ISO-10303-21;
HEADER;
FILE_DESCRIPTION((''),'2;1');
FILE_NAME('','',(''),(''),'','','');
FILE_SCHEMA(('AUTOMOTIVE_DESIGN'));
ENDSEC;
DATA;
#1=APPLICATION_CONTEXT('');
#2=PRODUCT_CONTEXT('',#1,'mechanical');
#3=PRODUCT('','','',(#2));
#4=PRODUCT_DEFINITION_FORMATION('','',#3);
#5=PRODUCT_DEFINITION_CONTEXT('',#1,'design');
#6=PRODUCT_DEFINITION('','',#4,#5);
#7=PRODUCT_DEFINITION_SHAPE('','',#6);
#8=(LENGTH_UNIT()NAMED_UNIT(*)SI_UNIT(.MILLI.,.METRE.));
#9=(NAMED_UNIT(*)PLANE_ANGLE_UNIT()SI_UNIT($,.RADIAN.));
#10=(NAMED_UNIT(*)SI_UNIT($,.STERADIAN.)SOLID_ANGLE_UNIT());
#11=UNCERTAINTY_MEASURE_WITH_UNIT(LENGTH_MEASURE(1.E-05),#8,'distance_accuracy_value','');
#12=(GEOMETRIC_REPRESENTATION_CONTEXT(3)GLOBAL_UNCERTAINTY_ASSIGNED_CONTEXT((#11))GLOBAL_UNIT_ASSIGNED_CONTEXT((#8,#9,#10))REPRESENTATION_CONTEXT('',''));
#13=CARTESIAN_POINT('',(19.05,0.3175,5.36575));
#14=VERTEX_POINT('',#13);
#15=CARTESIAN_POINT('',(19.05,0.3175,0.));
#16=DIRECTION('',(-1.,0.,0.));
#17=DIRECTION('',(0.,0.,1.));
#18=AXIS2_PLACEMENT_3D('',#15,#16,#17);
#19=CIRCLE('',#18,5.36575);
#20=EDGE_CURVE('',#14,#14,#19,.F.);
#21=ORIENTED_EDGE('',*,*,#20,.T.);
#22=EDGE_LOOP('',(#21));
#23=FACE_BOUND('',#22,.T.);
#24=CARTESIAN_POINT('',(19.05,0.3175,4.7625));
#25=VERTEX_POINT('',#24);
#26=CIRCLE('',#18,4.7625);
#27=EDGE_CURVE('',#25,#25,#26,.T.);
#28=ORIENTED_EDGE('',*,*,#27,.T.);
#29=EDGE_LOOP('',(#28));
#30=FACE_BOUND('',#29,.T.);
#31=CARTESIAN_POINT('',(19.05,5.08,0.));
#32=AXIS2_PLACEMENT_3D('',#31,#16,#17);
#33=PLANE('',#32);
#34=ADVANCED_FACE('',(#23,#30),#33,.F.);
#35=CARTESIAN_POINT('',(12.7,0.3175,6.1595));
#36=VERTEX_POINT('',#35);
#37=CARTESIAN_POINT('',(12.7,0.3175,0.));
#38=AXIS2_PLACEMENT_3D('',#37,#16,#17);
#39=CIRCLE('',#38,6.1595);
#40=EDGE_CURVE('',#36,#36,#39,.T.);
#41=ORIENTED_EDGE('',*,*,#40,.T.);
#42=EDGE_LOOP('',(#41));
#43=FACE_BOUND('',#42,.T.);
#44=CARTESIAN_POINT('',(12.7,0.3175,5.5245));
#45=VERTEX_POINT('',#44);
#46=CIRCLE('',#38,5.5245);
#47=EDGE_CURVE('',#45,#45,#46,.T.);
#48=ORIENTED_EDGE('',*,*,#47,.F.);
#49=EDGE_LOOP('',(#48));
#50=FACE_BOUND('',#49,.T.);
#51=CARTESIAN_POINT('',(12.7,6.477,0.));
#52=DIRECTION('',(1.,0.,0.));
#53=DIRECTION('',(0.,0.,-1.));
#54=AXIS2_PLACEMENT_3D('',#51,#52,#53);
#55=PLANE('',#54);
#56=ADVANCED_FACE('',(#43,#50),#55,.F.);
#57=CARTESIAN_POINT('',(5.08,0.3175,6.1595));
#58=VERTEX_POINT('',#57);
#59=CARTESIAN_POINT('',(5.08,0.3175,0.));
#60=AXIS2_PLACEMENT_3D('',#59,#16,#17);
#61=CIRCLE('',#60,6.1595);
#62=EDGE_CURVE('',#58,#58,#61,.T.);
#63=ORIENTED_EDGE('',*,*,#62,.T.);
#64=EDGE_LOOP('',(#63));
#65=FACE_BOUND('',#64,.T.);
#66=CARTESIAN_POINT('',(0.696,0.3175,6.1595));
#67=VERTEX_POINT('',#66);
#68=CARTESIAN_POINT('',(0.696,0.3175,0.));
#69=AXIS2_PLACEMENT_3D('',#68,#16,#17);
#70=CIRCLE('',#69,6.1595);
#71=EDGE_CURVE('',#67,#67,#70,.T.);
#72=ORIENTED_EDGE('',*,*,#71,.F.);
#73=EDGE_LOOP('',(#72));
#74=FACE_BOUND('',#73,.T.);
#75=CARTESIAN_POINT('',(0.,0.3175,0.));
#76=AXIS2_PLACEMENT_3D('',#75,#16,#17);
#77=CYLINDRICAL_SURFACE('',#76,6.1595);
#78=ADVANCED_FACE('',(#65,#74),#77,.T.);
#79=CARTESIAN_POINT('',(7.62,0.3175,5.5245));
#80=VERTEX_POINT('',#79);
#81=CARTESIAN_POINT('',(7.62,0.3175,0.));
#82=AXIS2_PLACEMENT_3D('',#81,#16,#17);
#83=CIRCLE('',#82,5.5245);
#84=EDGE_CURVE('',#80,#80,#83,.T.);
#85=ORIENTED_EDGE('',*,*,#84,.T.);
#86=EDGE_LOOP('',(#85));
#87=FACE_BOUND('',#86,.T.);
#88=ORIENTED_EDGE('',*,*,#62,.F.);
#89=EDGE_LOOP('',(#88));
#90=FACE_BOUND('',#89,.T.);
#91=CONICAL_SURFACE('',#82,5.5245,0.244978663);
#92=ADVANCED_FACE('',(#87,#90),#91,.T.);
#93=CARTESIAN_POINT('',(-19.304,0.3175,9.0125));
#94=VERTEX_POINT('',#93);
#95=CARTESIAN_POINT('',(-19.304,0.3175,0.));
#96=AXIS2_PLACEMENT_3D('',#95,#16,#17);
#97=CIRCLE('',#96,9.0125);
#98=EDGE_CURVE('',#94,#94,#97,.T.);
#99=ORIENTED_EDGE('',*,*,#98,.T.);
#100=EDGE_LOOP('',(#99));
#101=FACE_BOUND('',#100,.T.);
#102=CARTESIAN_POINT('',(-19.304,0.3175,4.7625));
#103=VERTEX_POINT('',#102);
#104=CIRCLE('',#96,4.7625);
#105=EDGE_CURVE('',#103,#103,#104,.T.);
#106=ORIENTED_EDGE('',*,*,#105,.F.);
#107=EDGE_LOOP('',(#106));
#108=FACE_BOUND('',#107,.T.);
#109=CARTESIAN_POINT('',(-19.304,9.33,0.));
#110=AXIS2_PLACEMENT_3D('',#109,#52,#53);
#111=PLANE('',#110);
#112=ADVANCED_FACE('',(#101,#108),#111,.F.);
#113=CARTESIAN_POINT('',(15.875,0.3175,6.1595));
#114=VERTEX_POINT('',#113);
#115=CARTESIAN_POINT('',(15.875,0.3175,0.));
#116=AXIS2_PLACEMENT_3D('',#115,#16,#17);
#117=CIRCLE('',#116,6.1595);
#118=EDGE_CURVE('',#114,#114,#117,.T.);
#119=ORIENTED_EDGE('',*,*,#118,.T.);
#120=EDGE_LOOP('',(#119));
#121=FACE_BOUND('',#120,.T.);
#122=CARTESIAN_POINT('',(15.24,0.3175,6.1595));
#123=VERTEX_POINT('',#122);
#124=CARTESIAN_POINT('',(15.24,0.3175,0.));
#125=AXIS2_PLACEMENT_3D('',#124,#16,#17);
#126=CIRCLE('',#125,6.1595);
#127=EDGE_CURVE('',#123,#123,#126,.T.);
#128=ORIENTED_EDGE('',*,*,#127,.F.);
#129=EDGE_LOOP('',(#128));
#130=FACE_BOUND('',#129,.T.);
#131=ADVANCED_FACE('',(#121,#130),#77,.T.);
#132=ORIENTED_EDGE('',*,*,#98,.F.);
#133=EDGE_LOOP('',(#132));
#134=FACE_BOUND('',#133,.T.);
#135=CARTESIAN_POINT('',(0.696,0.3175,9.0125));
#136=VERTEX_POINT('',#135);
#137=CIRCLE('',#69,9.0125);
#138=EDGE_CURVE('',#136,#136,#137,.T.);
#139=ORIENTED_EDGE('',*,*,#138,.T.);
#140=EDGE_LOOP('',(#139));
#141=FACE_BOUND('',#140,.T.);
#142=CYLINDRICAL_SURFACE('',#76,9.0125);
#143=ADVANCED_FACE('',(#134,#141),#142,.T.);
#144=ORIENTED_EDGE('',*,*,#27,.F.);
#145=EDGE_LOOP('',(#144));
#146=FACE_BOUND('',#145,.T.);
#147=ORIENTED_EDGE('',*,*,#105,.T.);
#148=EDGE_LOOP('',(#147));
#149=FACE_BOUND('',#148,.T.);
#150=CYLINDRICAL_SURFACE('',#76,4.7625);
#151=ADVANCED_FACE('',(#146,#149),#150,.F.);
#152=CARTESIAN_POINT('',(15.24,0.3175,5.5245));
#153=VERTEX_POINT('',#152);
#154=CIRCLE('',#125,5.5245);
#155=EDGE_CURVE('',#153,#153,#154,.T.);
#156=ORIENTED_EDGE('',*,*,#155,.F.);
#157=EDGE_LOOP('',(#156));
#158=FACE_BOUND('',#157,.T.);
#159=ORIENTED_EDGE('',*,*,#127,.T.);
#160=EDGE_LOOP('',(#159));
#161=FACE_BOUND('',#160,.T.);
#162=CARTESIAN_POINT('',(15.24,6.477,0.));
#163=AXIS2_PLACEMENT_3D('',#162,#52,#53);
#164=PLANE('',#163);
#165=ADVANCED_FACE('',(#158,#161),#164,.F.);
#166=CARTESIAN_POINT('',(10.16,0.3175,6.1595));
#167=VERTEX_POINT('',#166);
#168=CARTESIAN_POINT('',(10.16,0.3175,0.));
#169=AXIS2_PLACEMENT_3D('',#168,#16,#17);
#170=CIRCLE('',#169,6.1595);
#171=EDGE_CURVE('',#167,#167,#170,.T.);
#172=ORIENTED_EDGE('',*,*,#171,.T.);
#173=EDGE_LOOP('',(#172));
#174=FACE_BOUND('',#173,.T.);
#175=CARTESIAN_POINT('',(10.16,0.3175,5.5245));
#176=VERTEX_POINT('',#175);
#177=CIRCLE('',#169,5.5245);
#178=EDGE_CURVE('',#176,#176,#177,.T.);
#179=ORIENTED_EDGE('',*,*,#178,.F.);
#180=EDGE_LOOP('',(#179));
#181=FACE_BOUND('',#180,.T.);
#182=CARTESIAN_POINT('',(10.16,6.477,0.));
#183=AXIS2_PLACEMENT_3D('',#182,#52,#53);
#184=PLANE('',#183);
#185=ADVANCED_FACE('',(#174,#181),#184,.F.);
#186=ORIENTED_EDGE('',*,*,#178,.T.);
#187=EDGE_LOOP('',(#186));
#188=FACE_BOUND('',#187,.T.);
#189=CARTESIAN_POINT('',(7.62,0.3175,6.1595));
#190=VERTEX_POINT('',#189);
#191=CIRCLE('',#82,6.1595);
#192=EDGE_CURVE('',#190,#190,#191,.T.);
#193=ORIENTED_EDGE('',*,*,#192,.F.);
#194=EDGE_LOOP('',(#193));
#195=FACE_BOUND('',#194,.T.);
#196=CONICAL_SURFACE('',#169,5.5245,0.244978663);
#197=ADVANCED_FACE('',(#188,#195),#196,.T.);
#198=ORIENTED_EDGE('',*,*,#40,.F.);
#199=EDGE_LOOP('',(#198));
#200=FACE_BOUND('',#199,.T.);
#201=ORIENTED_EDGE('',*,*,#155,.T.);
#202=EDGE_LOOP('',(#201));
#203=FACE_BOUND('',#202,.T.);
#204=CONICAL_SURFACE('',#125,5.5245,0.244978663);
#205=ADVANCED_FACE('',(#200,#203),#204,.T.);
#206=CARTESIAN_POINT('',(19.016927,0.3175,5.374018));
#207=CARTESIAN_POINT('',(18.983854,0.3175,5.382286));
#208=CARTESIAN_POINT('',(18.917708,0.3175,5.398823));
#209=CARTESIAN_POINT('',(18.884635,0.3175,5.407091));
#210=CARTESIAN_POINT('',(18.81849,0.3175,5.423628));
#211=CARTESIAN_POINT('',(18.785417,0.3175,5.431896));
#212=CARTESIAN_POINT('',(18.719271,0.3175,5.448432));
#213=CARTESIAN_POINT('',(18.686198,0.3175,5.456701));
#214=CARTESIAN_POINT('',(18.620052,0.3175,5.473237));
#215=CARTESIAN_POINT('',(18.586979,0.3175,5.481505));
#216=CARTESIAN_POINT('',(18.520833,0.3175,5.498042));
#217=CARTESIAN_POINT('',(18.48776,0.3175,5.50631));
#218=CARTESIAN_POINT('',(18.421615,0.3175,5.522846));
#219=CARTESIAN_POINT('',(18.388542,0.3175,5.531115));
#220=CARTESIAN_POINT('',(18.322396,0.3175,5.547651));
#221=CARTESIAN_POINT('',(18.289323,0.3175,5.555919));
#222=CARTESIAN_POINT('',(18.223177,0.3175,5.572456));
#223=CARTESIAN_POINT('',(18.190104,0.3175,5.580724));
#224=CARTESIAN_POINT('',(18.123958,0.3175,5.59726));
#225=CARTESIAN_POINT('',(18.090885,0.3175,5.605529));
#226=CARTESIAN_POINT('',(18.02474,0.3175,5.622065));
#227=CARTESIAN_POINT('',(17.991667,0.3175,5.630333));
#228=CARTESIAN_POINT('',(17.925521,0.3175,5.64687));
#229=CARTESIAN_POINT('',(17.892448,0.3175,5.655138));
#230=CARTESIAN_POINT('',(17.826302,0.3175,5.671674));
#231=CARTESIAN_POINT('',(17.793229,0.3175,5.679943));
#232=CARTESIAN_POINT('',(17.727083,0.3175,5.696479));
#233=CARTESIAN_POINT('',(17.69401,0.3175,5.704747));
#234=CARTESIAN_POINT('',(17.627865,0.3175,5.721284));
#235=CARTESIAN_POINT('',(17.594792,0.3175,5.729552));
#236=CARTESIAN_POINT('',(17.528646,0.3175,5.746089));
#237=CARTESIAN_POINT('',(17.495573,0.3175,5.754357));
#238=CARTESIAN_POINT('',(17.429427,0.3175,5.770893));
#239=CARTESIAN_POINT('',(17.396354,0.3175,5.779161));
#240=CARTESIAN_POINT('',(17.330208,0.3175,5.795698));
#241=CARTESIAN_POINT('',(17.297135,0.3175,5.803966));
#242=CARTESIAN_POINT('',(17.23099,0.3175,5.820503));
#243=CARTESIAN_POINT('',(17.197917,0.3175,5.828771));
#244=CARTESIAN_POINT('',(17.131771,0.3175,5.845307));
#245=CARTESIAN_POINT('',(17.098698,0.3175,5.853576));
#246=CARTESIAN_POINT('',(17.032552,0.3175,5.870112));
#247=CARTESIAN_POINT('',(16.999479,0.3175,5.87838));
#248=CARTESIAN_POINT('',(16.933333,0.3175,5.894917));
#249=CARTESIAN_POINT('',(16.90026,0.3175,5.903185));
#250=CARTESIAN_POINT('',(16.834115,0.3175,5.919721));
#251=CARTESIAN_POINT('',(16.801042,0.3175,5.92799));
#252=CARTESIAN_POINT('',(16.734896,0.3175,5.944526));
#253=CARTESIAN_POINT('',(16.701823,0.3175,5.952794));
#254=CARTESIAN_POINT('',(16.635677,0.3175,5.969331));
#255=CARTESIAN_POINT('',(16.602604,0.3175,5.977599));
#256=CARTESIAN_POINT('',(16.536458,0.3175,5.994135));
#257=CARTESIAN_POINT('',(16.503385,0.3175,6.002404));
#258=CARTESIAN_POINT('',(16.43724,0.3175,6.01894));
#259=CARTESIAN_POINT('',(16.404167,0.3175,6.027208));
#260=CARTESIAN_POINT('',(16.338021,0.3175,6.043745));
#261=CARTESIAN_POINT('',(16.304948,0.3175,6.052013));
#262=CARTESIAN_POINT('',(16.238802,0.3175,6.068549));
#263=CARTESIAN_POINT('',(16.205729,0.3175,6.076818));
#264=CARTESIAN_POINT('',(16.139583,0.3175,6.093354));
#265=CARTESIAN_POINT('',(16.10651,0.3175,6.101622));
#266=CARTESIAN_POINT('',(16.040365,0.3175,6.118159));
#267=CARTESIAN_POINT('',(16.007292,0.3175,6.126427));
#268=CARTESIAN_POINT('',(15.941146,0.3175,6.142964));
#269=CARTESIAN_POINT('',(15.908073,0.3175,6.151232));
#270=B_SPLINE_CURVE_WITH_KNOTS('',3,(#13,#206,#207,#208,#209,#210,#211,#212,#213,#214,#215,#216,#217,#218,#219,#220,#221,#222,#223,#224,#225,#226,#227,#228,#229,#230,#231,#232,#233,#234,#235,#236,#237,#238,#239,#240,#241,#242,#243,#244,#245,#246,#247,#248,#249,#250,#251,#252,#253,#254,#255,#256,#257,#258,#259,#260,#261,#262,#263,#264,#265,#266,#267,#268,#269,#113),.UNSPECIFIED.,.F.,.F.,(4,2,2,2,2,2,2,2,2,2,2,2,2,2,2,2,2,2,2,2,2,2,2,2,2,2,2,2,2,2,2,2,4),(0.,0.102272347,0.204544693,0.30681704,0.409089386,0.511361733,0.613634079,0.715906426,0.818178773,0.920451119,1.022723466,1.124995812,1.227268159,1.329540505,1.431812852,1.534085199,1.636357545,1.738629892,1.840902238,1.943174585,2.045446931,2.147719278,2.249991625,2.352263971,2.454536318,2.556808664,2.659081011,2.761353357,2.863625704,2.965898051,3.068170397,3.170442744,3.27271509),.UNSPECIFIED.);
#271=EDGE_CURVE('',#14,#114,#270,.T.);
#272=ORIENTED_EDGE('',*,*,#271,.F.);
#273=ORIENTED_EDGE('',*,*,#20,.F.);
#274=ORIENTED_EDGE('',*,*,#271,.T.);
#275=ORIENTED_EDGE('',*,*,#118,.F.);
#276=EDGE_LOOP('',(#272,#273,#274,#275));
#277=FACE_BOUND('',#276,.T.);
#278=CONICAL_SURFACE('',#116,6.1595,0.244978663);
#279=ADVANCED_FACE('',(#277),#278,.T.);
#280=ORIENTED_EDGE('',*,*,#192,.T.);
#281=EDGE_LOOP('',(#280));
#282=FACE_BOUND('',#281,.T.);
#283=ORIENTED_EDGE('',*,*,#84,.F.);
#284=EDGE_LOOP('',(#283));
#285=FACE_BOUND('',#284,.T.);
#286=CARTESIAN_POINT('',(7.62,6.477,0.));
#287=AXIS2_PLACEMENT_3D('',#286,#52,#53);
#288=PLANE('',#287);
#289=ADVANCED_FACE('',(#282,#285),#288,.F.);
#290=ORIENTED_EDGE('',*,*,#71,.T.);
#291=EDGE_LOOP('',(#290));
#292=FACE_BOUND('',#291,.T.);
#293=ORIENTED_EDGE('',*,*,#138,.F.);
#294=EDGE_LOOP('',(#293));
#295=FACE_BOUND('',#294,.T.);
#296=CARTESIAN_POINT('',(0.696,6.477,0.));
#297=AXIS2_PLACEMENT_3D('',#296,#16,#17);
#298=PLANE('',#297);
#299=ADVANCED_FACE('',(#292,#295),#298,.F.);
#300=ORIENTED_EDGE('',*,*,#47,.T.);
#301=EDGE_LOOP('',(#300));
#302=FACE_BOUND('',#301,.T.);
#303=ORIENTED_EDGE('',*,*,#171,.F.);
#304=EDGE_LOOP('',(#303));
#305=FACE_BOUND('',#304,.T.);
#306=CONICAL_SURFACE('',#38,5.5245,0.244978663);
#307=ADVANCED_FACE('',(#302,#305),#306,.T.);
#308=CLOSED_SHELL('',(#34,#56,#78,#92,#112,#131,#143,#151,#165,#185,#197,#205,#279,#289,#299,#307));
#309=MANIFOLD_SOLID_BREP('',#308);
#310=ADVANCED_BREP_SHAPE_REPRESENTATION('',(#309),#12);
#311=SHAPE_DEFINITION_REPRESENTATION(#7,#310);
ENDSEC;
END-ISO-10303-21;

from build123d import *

# Parameters (mm, degrees)
CHAMFER1_SIZE  = 0.79375
CHAMFER1_SIZE2 = 3.175


with BuildPart() as part:
    # Esquisse1 → Revolution1 (revolve)
    with BuildSketch(Plane.XY, mode=Mode.PRIVATE) as revolution1_sk:
        Polygon((-19.304, 5.08), (19.05, 5.08), (19.05, 6.477), (15.24, 6.477), (15.24, 5.842), (12.7, 6.477), (12.7, 5.842), (10.16, 6.477), (10.16, 5.842), (7.62, 6.477), (7.62, 5.842), (5.08, 6.477), (0.696, 6.477), (0.696, 9.33), (-19.304, 9.33), align=None)
    revolve(revolution1_sk.sketch.rotate(Axis((0, 0.3175, 0), (1, 0, 0)), 90), axis=Axis((0, 0.3175, 0), (1, 0, 0)))

    # Chamfer1
    chamfer1_edges = [part.edges().sort_by_distance(p)[0] for p in [
        (19.05, 0.3175, -6.1595),
    ]]
    chamfer1_side = [part.faces().sort_by_distance(p)[0] for p in [
        (19.05, 0.3175, -4.936716969),
    ]]
    chamfer(chamfer1_edges, length=CHAMFER1_SIZE, length2=CHAMFER1_SIZE2, reference=chamfer1_side[0])


solid = part.part
